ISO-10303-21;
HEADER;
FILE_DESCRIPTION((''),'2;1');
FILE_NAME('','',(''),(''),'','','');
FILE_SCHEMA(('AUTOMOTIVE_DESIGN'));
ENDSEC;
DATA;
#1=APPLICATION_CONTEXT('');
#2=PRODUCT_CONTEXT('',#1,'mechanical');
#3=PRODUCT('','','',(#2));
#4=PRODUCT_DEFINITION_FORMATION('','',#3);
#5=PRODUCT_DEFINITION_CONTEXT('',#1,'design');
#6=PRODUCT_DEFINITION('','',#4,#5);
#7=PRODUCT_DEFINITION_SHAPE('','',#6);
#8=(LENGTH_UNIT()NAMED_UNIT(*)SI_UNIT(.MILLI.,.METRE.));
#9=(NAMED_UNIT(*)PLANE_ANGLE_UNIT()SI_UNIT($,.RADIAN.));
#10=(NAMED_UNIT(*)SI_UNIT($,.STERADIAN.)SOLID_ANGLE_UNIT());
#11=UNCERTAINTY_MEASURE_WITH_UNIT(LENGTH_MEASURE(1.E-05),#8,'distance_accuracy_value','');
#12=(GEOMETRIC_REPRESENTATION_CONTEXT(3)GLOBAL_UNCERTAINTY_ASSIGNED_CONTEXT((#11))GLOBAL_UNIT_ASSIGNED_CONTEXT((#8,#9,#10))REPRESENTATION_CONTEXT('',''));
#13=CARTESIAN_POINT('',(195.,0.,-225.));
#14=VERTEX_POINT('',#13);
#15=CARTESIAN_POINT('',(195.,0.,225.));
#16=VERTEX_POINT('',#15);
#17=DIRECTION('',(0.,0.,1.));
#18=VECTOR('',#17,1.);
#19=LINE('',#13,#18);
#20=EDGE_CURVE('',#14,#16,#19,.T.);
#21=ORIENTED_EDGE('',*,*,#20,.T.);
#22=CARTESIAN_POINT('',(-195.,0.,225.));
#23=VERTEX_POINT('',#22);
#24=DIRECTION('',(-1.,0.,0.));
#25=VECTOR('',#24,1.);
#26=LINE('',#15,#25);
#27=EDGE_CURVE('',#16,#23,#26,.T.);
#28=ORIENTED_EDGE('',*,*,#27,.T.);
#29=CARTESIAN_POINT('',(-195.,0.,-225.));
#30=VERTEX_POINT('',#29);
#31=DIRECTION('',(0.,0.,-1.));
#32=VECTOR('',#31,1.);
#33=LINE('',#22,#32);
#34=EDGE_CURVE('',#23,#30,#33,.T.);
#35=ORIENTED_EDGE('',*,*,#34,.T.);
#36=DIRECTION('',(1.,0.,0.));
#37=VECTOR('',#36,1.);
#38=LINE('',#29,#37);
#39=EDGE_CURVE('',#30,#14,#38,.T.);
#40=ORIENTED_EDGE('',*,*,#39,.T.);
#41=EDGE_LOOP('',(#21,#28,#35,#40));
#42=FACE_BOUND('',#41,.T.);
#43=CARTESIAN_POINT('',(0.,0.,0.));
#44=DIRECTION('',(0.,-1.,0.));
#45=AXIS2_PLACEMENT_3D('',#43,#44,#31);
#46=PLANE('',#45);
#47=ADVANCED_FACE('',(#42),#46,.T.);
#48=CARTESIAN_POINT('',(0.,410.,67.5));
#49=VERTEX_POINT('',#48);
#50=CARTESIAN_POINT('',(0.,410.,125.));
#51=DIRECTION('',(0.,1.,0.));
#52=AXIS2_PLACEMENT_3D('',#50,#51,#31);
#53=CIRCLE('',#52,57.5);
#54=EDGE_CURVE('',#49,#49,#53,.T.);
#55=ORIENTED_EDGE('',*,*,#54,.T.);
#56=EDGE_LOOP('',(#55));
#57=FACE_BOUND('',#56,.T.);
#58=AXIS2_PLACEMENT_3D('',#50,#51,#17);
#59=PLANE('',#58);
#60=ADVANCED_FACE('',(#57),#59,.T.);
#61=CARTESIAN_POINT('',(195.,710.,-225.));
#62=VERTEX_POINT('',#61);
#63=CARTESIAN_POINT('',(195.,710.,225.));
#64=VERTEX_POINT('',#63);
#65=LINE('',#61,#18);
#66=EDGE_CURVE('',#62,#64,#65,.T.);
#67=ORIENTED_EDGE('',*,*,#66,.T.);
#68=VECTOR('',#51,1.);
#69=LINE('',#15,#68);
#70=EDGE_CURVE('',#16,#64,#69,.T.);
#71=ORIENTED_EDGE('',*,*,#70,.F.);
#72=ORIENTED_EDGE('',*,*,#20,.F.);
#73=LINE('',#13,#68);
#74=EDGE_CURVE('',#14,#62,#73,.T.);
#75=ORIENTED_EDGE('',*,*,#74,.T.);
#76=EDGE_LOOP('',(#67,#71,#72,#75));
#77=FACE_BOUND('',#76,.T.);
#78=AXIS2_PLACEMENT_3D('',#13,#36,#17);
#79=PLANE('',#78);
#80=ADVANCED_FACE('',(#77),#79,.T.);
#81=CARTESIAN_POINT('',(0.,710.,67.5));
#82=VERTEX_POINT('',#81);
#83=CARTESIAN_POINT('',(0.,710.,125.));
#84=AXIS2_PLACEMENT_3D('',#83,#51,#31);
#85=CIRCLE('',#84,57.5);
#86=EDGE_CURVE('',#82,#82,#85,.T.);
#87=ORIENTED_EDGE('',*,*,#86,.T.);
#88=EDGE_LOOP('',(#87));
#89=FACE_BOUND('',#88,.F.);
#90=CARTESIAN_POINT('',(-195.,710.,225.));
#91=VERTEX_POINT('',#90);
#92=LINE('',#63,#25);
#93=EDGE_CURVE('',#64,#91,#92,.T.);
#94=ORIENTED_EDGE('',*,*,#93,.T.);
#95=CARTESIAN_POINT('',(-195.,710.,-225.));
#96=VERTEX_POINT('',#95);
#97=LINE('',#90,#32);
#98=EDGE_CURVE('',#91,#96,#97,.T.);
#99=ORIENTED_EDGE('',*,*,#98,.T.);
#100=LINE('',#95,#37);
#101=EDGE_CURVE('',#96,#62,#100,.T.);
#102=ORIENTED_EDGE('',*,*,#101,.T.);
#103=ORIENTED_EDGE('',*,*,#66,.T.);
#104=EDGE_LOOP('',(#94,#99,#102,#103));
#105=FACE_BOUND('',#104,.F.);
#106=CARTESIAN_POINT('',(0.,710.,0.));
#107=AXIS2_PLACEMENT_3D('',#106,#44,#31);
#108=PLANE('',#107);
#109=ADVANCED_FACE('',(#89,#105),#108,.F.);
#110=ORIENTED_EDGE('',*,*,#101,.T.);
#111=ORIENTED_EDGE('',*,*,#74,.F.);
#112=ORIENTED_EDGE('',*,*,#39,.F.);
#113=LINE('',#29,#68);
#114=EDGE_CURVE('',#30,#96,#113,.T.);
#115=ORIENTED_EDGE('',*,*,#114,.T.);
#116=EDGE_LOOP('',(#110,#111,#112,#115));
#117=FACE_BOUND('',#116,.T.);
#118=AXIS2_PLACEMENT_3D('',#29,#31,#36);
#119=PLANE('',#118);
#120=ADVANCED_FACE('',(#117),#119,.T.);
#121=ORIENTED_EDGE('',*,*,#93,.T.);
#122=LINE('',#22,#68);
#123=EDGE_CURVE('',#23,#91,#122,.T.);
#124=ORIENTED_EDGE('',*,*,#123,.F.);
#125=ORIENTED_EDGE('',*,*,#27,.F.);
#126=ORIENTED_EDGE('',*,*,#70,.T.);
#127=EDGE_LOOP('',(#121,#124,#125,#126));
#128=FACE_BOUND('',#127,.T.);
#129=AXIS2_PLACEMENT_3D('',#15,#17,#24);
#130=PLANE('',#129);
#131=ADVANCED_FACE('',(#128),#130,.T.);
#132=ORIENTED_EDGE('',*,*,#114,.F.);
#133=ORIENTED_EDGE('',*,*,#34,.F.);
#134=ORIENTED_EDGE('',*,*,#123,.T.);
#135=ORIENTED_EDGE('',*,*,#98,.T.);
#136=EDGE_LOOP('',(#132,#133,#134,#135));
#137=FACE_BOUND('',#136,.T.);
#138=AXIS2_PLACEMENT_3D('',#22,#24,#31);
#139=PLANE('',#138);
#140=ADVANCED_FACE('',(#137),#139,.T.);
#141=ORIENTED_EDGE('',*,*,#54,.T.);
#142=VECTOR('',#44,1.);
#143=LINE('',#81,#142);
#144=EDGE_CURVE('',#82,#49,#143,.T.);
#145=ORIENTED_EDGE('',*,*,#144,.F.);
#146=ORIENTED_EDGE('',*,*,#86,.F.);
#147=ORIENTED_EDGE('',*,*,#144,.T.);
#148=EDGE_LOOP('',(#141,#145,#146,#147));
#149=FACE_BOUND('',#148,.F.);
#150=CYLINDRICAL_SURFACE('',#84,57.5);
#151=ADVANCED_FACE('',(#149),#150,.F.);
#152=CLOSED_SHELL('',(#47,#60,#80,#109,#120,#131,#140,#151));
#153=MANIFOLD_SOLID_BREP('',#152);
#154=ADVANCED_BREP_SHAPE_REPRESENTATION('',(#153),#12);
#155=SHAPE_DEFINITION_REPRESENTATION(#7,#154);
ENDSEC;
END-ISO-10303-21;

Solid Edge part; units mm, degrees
sketch "Sketch1" plane through (0, 0, 0) normal (0, -1, 0) x (1, 0, 0)
  line L0 (-195, -225) -> (195, -225)
  line L1 (195, -225) -> (195, 225)
  line L2 (195, 225) -> (-195, 225)
  line L3 (-195, 225) -> (-195, -225)
extrude "Protrusion1" add sketch "Sketch1" against normal blind 710
sketch "Sketch2" plane through (0, 710, 0) normal (0, 1, 0) x (0, 0, -1)
  circle A0 centre (-125, 0) radius 57.5
extrude "ExtrudedCutout_1" cut sketch "Sketch2" against normal blind 300
properties material "Galvanized steel"
